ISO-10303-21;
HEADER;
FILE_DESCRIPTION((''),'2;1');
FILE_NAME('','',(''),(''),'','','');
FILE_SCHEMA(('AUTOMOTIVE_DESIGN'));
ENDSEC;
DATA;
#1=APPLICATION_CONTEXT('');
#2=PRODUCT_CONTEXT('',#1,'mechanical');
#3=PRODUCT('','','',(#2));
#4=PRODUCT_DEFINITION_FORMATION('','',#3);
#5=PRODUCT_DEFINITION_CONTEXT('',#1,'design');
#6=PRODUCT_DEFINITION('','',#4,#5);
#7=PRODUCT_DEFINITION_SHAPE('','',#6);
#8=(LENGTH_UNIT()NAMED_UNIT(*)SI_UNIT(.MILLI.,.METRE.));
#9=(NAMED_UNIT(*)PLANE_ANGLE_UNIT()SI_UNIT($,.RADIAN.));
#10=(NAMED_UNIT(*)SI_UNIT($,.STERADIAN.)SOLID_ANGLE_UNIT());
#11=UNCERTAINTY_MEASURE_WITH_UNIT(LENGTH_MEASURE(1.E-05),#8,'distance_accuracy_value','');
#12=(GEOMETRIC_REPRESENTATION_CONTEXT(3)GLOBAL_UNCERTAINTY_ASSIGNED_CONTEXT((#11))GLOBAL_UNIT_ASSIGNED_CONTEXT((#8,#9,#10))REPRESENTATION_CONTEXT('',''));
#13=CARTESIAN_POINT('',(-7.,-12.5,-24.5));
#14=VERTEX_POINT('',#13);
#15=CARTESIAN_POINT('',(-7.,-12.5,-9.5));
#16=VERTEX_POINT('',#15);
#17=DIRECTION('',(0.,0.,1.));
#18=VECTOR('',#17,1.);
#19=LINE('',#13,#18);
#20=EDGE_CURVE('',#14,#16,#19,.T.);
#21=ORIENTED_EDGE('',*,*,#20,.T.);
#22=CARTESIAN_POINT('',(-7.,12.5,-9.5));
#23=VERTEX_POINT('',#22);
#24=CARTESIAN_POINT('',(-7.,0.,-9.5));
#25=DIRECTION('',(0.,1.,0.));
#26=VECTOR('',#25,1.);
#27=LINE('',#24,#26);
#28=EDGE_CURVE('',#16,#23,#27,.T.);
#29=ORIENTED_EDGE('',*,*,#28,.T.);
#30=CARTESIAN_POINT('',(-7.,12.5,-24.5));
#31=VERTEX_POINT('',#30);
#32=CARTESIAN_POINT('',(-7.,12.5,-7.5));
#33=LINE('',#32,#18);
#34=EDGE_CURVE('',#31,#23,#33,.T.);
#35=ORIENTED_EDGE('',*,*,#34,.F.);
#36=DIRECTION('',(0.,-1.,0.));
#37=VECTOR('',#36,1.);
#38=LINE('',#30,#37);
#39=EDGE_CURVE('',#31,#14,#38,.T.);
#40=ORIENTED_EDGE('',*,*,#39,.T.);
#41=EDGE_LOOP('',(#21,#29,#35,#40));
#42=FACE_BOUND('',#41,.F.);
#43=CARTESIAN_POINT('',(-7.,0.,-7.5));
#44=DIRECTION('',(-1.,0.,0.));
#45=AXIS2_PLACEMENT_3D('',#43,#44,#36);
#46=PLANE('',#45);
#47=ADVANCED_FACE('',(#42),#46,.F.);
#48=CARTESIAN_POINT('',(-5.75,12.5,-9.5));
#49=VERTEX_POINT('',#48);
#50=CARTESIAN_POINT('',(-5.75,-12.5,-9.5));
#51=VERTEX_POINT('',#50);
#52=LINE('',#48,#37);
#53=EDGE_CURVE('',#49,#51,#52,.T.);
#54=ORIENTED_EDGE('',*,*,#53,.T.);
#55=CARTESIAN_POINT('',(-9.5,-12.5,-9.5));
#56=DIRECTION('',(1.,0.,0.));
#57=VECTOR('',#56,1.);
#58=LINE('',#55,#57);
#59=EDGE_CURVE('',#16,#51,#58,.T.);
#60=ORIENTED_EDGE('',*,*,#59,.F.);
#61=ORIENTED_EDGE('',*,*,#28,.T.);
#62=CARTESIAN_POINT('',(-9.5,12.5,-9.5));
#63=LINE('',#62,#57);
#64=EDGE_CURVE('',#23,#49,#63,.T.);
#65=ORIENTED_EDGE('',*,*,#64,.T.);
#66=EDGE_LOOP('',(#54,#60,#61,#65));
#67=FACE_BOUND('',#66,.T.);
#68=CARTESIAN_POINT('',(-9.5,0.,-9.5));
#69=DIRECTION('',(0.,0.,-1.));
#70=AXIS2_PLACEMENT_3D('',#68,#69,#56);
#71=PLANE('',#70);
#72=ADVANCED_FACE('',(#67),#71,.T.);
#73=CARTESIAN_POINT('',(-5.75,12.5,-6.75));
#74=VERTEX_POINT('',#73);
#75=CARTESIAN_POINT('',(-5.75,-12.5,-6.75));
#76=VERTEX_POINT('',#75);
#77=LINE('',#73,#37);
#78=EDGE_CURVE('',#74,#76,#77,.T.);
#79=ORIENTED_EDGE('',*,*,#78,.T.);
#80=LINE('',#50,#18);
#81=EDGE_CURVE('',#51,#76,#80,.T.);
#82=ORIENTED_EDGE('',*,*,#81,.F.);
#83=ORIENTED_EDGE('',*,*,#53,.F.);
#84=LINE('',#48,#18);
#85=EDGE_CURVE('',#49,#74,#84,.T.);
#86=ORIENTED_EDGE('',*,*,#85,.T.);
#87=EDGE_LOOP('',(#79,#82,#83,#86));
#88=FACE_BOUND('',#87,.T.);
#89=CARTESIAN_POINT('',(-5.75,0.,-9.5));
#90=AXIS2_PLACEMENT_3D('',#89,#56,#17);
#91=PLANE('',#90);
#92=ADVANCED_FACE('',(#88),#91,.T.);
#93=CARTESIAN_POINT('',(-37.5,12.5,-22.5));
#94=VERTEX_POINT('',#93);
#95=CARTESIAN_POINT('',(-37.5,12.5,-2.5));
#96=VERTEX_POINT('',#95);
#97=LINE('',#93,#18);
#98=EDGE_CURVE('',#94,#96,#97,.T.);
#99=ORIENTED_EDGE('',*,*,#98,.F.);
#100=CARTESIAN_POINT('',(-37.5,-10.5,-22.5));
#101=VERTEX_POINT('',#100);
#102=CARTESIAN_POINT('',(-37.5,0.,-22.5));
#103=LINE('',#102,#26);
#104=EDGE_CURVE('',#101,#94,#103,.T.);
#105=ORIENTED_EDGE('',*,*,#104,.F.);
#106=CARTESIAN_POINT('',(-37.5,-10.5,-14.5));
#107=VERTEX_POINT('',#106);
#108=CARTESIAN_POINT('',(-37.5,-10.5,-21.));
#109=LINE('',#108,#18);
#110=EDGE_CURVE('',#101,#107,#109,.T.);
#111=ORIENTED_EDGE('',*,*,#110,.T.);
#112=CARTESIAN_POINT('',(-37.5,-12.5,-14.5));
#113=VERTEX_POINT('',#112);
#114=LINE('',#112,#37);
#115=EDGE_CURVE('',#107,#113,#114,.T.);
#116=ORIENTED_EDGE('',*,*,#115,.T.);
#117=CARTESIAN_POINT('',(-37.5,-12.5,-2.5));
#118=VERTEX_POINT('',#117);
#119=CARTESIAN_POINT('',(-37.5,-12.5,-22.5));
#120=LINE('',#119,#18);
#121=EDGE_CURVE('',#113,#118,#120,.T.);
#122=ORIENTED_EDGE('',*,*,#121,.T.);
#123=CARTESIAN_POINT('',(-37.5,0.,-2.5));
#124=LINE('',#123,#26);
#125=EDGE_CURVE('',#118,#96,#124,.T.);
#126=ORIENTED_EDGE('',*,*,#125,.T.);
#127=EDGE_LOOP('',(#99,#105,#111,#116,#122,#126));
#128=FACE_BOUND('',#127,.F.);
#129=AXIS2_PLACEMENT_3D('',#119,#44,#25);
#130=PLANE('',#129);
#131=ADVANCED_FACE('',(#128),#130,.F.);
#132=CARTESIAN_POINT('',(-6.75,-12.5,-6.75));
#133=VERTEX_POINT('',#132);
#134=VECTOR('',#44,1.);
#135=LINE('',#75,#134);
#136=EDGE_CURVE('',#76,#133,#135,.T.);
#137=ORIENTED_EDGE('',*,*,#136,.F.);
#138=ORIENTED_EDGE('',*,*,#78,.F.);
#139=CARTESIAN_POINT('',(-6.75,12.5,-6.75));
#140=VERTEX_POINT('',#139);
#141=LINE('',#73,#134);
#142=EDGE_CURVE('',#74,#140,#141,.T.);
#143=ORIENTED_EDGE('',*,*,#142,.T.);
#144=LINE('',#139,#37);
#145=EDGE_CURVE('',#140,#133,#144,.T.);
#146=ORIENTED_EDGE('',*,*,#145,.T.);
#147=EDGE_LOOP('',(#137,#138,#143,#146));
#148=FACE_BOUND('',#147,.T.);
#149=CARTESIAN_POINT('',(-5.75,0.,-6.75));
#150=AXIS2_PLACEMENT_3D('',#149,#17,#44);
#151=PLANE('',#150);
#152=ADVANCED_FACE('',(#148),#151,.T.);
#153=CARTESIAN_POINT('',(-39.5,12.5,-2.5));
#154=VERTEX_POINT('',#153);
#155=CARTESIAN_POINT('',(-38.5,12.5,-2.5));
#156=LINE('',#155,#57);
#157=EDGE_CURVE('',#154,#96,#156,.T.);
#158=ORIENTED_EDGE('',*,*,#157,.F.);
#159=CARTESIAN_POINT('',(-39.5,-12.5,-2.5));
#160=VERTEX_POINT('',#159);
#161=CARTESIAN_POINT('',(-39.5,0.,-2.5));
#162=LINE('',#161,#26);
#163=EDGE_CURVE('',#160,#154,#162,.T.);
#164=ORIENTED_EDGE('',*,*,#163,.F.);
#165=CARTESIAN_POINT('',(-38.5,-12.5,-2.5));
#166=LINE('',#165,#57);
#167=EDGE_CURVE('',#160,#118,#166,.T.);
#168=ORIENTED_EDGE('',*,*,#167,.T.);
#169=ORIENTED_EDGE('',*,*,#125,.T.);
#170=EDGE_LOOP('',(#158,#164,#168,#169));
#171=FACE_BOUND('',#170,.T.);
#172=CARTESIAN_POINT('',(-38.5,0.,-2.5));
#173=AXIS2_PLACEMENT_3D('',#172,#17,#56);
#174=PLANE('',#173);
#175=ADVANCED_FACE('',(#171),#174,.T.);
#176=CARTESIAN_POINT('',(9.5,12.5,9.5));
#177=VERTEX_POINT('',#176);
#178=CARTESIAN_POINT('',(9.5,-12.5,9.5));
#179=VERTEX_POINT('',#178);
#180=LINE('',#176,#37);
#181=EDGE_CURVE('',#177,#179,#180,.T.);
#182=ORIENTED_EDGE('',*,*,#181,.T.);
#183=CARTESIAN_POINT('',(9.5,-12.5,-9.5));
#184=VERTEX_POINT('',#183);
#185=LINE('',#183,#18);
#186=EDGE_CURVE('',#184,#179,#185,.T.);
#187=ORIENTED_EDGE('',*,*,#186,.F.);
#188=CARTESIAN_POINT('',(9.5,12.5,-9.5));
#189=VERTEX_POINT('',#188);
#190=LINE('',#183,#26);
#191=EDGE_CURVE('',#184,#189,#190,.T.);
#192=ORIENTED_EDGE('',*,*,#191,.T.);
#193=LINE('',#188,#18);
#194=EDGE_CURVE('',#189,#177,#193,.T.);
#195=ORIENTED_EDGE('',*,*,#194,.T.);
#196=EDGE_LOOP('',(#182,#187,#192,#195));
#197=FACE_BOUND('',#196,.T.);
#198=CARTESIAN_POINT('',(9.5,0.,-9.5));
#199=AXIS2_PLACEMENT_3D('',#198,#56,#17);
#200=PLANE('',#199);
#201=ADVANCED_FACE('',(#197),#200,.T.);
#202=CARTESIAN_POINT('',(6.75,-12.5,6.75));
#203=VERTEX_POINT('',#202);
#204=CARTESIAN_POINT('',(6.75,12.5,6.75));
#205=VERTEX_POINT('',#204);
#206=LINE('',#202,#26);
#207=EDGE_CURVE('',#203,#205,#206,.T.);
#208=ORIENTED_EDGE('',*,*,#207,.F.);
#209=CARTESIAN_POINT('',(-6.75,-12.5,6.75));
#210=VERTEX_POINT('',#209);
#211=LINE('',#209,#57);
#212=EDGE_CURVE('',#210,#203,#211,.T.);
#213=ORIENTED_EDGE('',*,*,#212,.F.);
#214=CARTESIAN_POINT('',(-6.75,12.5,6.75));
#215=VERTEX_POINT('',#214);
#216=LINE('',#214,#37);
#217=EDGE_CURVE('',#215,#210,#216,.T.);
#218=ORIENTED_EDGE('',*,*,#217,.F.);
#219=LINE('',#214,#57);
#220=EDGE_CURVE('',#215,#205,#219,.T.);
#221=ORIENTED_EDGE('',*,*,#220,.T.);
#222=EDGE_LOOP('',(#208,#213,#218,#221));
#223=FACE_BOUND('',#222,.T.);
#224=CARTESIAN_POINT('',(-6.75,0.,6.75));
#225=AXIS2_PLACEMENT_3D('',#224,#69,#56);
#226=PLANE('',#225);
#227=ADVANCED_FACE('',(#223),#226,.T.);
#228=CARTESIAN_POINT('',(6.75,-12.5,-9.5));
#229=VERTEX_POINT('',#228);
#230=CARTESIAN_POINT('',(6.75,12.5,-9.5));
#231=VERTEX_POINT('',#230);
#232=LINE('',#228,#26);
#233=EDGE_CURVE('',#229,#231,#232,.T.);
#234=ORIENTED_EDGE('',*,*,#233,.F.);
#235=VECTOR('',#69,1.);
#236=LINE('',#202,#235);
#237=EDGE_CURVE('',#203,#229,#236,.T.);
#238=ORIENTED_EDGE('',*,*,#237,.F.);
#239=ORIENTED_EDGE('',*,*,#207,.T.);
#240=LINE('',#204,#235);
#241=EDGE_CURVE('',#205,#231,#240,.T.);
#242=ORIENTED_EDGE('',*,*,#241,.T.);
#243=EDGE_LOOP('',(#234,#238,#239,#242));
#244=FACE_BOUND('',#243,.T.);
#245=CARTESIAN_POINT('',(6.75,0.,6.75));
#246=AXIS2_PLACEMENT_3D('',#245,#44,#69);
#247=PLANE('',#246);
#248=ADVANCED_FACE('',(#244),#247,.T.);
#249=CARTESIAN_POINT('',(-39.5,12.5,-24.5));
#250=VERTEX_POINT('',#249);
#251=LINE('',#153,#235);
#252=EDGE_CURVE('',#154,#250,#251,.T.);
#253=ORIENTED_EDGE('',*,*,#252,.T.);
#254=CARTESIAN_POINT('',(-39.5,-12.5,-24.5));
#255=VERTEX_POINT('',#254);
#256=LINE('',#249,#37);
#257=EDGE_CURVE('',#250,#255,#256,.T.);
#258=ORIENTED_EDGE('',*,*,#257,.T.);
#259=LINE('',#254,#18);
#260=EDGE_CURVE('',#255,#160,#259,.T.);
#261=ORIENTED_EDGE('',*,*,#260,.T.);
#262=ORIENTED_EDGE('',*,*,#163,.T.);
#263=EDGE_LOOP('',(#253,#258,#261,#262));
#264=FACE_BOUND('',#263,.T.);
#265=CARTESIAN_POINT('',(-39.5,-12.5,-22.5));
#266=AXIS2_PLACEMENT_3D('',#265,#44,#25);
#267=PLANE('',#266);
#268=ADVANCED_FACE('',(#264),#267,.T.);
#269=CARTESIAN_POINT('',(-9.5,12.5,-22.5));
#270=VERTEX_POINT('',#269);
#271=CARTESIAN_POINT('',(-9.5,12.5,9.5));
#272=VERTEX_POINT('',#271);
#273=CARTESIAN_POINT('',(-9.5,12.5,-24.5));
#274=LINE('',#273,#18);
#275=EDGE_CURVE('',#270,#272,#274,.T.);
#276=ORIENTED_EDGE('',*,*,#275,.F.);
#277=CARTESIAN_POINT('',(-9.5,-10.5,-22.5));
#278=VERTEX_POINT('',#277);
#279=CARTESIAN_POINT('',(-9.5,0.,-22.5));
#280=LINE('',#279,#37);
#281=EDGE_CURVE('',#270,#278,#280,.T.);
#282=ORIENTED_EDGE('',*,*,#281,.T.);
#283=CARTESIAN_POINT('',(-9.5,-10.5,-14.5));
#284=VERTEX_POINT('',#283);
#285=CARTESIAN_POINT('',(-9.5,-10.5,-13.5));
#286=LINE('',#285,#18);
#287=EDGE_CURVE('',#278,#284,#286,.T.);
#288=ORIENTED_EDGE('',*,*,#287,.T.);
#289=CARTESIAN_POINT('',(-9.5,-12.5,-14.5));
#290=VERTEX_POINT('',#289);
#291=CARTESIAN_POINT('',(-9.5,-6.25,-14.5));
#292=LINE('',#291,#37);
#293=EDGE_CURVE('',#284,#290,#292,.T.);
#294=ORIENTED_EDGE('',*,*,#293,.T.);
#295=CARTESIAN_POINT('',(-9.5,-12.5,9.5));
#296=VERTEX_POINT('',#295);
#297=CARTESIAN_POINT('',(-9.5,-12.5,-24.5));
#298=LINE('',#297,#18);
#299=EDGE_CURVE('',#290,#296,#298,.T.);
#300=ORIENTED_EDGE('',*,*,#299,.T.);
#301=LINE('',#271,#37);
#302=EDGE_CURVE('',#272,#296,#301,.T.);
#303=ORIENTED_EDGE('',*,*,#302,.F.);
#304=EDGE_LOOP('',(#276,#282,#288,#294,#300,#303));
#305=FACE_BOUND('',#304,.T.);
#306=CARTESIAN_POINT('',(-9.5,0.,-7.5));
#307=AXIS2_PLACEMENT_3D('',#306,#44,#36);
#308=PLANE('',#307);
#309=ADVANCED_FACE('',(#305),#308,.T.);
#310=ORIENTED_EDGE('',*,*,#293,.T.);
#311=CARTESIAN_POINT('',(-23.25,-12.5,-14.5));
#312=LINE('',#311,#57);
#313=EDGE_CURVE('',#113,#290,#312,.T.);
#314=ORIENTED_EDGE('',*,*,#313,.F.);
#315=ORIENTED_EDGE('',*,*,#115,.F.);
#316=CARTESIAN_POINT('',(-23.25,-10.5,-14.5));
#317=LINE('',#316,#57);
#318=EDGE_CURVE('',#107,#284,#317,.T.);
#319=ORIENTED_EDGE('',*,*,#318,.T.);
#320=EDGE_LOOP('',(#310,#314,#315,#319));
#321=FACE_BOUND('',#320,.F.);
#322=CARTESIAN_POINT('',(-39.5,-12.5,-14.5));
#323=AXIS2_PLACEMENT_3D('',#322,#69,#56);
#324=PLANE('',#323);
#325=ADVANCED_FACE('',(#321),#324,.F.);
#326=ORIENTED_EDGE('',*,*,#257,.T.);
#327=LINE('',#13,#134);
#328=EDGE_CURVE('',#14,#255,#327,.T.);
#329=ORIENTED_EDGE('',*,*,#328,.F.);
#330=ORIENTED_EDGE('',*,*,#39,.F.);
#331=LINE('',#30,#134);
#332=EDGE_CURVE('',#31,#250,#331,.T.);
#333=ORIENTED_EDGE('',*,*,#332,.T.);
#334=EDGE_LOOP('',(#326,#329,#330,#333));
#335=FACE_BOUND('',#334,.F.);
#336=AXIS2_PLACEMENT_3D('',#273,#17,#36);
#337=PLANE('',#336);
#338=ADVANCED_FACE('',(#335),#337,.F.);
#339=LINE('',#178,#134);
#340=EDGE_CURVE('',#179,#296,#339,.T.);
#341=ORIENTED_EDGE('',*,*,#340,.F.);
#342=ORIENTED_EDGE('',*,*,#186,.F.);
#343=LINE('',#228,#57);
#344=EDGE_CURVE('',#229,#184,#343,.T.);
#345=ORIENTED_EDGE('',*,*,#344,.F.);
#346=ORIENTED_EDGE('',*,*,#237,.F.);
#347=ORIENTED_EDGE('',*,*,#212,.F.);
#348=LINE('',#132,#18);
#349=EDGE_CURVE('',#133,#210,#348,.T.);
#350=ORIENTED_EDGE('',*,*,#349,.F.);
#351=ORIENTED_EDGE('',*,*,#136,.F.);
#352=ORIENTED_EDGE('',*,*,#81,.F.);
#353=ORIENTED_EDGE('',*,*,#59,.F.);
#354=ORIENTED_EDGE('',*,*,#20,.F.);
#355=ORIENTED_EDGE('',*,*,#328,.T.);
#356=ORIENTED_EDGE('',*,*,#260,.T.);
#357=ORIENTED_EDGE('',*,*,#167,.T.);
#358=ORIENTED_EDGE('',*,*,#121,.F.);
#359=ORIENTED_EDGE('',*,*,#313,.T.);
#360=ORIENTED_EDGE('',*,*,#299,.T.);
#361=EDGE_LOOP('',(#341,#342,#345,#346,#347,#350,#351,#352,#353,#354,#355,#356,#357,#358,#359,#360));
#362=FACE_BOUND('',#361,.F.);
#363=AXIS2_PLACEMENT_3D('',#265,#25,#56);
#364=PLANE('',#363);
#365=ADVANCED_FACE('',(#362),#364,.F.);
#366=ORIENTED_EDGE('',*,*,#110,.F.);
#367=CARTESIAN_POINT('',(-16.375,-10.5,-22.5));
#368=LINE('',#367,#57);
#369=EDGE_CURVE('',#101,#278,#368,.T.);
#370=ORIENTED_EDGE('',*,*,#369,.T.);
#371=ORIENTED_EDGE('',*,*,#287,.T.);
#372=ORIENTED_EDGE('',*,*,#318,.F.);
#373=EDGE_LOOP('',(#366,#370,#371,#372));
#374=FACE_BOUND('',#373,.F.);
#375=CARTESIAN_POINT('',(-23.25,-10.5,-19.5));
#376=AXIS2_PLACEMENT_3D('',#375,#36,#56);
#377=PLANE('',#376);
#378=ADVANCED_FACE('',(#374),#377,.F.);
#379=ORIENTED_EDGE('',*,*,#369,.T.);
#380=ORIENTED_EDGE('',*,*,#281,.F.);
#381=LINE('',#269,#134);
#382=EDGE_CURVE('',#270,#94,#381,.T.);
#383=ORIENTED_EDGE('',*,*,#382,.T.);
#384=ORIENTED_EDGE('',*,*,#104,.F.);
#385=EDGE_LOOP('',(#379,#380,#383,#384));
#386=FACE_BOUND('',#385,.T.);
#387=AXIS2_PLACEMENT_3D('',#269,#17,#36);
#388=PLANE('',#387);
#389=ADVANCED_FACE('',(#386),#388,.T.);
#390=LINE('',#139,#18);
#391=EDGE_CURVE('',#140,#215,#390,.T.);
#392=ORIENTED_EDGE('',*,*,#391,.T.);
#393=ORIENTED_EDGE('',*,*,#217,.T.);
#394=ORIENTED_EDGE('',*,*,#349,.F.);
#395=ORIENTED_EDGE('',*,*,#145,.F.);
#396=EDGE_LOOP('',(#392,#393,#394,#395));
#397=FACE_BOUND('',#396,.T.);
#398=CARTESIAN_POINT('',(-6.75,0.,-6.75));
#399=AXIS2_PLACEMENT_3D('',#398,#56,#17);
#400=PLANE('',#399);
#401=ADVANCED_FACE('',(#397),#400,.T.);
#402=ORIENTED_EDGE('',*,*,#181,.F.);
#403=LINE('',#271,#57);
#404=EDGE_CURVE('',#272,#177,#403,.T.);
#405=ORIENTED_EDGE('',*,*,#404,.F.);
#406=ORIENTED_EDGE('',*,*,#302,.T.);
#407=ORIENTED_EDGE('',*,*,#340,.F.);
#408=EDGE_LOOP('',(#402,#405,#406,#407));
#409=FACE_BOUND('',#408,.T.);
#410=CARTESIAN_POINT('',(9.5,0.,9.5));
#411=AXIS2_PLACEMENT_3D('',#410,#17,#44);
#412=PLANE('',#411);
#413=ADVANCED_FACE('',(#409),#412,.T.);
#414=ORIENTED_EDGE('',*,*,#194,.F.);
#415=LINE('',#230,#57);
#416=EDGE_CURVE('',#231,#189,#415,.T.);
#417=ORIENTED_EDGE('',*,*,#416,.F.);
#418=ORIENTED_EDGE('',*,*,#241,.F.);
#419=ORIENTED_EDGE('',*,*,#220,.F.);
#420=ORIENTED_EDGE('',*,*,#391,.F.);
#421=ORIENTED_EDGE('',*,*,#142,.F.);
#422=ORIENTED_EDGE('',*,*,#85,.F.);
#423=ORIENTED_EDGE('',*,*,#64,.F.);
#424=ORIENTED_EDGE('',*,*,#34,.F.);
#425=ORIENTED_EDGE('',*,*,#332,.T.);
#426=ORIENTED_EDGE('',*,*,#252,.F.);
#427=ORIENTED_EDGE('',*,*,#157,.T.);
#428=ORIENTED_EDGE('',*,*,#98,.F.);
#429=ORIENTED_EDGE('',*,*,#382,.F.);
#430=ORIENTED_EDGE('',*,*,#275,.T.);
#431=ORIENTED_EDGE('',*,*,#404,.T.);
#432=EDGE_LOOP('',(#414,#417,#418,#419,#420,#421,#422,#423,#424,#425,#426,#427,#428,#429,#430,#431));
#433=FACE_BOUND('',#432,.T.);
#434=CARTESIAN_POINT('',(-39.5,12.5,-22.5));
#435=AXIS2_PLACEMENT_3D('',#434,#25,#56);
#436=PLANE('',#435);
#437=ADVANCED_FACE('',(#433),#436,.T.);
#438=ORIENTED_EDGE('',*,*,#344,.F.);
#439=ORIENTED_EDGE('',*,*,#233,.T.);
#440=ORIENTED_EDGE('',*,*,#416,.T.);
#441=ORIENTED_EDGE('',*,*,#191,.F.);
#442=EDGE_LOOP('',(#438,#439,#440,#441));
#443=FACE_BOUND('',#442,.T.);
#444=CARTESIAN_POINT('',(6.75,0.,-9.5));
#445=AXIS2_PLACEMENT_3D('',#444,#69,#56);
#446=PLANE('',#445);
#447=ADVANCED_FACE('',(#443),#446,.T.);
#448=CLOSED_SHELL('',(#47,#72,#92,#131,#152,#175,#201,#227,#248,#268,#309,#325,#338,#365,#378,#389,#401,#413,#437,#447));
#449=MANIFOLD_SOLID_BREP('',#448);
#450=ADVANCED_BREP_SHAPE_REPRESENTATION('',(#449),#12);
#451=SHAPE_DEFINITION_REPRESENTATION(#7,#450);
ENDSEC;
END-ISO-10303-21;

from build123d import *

# Parameters (mm, degrees)
F1_DEPTH = 12.5
F2_W     = 25
F2_H     = 34
F3_DEPTH = 2.5
F4_W     = 25
F4_H     = 2
F5_DEPTH = 30
F6_W     = 2
F6_H     = 25
F7_DEPTH = 20
F8_W     = 32.5
F8_H     = 10
F9_DEPTH = 2


with BuildPart() as f1:
    # F0 (on Front) → F1 (new body, symmetric)
    with BuildSketch(Plane.XZ):
        Polygon((9.5, -9.5), (9.5, 9.5), (-9.5, 9.5), (-9.5, -9.5), (-5.75, -9.5), (-5.75, -6.75), (-6.75, -6.75), (-6.75, 6.75), (6.75, 6.75), (6.75, -6.75), (6.75, -9.5), align=None)
    extrude(amount=F1_DEPTH, both=True)

    # F2 (on face) → F3 (join)
    with BuildSketch(Plane(origin=(-9.5, 0, 0), x_dir=(0, -1, 0), z_dir=(-1, 0, 0))):
        with Locations((0, -7.5)):
            Rectangle(F2_W, F2_H)
    extrude(amount=-F3_DEPTH)

    # F4 (on face) → F5 (join)
    with BuildSketch(Plane(origin=(-9.5, 0, 0), x_dir=(0, -1, 0), z_dir=(-1, 0, 0))):
        with Locations((0, -23.5)):
            Rectangle(F4_W, F4_H)
    extrude(amount=F5_DEPTH)

    # F6 (on face) → F7 (join)
    with BuildSketch(Plane.XY.offset(-22.5)):
        with Locations((-38.5, 0)):
            Rectangle(F6_W, F6_H)
    extrude(amount=F7_DEPTH)

    # F8 (on face) → F9 (join)
    with BuildSketch(Plane.XZ.offset(12.5)):
        with Locations((-23.25, -19.5)):
            Rectangle(F8_W, F8_H)
    extrude(amount=-F9_DEPTH)


solid = f1.part
